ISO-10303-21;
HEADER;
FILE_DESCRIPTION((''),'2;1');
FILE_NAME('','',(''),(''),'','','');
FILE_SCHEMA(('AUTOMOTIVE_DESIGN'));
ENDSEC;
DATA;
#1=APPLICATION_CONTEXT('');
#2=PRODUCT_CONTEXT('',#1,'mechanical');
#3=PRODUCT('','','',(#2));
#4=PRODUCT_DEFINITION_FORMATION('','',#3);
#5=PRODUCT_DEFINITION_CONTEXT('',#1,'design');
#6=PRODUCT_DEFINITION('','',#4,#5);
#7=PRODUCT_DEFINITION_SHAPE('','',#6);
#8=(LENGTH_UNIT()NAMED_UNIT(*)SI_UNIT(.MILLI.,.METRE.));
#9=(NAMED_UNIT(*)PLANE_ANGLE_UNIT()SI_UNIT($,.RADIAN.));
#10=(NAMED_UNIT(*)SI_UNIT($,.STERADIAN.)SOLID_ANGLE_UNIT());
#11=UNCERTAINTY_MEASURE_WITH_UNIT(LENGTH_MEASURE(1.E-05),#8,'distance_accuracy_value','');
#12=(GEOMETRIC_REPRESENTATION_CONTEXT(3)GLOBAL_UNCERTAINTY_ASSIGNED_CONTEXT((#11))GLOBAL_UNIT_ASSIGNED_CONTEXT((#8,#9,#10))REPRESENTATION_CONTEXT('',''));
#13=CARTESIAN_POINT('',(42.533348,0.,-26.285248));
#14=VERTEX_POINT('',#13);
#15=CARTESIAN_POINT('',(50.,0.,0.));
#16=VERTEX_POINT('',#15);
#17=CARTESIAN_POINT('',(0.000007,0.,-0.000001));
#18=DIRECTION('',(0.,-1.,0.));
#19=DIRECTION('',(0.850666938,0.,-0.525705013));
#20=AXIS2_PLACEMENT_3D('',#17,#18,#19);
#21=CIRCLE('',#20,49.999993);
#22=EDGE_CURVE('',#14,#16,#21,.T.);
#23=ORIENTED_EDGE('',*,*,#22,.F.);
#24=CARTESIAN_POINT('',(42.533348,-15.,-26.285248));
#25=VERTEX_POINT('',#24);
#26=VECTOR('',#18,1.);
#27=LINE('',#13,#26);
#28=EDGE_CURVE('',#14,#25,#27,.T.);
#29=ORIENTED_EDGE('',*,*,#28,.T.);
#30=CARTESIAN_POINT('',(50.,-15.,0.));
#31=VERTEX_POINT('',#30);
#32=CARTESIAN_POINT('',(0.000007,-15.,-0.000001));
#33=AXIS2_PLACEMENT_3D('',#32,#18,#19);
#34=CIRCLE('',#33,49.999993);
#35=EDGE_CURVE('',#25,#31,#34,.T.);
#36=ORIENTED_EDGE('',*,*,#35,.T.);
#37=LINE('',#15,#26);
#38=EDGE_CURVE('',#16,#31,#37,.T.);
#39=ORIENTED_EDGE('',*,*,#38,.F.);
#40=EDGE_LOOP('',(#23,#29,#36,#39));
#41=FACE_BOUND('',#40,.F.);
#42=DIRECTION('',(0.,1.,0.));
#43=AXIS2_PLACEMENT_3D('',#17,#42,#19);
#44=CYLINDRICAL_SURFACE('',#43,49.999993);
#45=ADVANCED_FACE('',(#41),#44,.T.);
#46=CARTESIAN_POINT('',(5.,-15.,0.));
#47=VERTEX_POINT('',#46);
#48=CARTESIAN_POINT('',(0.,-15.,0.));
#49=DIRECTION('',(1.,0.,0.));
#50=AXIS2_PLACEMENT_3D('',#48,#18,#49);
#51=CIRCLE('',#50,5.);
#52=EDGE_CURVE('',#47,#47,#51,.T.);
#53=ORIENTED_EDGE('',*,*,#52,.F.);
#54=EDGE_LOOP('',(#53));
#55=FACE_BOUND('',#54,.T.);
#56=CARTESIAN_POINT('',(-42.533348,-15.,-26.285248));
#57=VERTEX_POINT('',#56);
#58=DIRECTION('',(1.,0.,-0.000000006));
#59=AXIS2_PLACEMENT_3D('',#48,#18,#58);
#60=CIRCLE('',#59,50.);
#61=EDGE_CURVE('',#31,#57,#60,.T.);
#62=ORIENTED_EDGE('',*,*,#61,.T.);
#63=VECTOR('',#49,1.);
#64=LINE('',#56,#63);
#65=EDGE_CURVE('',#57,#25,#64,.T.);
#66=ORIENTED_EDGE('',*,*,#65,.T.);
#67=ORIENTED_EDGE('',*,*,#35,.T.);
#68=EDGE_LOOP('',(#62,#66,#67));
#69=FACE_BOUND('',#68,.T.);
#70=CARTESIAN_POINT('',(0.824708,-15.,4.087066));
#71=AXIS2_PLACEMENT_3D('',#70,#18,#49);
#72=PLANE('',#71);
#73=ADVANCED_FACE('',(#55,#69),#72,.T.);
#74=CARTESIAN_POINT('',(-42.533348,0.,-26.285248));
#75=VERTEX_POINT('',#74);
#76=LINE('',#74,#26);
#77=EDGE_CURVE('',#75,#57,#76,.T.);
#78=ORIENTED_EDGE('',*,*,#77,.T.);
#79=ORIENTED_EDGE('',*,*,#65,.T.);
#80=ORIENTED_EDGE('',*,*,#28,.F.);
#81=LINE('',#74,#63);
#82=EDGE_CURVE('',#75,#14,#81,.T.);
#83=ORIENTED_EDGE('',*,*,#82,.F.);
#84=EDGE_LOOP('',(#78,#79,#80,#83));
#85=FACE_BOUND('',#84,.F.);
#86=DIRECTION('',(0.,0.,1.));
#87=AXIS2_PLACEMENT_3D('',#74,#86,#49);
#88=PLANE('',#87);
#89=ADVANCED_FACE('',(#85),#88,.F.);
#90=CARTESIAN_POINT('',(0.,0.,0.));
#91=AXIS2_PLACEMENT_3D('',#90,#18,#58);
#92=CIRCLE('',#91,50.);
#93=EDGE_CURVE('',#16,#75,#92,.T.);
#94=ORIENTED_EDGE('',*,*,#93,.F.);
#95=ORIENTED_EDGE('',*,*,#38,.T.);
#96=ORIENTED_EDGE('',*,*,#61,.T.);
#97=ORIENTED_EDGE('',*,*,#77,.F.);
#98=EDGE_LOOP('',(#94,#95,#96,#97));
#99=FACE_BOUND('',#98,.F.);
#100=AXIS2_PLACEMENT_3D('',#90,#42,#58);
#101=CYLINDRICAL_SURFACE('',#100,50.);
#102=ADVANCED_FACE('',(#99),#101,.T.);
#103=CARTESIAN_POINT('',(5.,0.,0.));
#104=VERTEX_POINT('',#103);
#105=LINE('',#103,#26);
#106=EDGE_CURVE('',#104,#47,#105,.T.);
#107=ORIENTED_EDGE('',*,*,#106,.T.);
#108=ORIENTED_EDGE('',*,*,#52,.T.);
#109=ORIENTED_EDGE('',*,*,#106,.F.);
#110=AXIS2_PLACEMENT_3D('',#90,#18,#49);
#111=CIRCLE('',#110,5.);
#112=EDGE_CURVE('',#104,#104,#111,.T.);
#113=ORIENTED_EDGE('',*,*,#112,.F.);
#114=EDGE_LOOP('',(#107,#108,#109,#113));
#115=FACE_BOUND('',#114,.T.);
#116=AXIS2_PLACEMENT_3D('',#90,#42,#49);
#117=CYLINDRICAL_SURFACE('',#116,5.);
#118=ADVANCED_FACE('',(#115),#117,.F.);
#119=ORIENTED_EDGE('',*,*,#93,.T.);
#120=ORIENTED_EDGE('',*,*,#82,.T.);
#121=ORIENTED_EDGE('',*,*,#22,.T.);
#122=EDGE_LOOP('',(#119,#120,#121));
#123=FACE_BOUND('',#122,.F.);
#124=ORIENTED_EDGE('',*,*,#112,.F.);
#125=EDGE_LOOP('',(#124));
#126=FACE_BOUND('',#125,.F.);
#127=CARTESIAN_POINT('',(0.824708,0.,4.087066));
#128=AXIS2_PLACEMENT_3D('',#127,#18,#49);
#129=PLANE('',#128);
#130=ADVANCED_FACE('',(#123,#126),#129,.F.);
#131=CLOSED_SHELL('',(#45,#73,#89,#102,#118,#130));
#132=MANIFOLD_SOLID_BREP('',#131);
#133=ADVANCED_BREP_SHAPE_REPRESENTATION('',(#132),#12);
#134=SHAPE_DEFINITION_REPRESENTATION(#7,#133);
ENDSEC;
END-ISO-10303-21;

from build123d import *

# Parameters (mm, degrees)
F0_R     = 5
F1_DEPTH = 15


with BuildPart() as f1:
    # F0 (on Front) → F1 (new body)
    with BuildSketch(Plane.XZ):
        with BuildLine():
            ThreePointArc((42.533348, -26.285248), (48.097128, -13.662587), (50, 0))
            ThreePointArc((50, 0), (-13.662587, 48.097128), (-42.533348, -26.285248))
            Line((-42.533348, -26.285248), (42.533348, -26.285248))
        make_face()
        Circle(F0_R, mode=Mode.SUBTRACT)
    extrude(amount=F1_DEPTH)


solid = f1.part
